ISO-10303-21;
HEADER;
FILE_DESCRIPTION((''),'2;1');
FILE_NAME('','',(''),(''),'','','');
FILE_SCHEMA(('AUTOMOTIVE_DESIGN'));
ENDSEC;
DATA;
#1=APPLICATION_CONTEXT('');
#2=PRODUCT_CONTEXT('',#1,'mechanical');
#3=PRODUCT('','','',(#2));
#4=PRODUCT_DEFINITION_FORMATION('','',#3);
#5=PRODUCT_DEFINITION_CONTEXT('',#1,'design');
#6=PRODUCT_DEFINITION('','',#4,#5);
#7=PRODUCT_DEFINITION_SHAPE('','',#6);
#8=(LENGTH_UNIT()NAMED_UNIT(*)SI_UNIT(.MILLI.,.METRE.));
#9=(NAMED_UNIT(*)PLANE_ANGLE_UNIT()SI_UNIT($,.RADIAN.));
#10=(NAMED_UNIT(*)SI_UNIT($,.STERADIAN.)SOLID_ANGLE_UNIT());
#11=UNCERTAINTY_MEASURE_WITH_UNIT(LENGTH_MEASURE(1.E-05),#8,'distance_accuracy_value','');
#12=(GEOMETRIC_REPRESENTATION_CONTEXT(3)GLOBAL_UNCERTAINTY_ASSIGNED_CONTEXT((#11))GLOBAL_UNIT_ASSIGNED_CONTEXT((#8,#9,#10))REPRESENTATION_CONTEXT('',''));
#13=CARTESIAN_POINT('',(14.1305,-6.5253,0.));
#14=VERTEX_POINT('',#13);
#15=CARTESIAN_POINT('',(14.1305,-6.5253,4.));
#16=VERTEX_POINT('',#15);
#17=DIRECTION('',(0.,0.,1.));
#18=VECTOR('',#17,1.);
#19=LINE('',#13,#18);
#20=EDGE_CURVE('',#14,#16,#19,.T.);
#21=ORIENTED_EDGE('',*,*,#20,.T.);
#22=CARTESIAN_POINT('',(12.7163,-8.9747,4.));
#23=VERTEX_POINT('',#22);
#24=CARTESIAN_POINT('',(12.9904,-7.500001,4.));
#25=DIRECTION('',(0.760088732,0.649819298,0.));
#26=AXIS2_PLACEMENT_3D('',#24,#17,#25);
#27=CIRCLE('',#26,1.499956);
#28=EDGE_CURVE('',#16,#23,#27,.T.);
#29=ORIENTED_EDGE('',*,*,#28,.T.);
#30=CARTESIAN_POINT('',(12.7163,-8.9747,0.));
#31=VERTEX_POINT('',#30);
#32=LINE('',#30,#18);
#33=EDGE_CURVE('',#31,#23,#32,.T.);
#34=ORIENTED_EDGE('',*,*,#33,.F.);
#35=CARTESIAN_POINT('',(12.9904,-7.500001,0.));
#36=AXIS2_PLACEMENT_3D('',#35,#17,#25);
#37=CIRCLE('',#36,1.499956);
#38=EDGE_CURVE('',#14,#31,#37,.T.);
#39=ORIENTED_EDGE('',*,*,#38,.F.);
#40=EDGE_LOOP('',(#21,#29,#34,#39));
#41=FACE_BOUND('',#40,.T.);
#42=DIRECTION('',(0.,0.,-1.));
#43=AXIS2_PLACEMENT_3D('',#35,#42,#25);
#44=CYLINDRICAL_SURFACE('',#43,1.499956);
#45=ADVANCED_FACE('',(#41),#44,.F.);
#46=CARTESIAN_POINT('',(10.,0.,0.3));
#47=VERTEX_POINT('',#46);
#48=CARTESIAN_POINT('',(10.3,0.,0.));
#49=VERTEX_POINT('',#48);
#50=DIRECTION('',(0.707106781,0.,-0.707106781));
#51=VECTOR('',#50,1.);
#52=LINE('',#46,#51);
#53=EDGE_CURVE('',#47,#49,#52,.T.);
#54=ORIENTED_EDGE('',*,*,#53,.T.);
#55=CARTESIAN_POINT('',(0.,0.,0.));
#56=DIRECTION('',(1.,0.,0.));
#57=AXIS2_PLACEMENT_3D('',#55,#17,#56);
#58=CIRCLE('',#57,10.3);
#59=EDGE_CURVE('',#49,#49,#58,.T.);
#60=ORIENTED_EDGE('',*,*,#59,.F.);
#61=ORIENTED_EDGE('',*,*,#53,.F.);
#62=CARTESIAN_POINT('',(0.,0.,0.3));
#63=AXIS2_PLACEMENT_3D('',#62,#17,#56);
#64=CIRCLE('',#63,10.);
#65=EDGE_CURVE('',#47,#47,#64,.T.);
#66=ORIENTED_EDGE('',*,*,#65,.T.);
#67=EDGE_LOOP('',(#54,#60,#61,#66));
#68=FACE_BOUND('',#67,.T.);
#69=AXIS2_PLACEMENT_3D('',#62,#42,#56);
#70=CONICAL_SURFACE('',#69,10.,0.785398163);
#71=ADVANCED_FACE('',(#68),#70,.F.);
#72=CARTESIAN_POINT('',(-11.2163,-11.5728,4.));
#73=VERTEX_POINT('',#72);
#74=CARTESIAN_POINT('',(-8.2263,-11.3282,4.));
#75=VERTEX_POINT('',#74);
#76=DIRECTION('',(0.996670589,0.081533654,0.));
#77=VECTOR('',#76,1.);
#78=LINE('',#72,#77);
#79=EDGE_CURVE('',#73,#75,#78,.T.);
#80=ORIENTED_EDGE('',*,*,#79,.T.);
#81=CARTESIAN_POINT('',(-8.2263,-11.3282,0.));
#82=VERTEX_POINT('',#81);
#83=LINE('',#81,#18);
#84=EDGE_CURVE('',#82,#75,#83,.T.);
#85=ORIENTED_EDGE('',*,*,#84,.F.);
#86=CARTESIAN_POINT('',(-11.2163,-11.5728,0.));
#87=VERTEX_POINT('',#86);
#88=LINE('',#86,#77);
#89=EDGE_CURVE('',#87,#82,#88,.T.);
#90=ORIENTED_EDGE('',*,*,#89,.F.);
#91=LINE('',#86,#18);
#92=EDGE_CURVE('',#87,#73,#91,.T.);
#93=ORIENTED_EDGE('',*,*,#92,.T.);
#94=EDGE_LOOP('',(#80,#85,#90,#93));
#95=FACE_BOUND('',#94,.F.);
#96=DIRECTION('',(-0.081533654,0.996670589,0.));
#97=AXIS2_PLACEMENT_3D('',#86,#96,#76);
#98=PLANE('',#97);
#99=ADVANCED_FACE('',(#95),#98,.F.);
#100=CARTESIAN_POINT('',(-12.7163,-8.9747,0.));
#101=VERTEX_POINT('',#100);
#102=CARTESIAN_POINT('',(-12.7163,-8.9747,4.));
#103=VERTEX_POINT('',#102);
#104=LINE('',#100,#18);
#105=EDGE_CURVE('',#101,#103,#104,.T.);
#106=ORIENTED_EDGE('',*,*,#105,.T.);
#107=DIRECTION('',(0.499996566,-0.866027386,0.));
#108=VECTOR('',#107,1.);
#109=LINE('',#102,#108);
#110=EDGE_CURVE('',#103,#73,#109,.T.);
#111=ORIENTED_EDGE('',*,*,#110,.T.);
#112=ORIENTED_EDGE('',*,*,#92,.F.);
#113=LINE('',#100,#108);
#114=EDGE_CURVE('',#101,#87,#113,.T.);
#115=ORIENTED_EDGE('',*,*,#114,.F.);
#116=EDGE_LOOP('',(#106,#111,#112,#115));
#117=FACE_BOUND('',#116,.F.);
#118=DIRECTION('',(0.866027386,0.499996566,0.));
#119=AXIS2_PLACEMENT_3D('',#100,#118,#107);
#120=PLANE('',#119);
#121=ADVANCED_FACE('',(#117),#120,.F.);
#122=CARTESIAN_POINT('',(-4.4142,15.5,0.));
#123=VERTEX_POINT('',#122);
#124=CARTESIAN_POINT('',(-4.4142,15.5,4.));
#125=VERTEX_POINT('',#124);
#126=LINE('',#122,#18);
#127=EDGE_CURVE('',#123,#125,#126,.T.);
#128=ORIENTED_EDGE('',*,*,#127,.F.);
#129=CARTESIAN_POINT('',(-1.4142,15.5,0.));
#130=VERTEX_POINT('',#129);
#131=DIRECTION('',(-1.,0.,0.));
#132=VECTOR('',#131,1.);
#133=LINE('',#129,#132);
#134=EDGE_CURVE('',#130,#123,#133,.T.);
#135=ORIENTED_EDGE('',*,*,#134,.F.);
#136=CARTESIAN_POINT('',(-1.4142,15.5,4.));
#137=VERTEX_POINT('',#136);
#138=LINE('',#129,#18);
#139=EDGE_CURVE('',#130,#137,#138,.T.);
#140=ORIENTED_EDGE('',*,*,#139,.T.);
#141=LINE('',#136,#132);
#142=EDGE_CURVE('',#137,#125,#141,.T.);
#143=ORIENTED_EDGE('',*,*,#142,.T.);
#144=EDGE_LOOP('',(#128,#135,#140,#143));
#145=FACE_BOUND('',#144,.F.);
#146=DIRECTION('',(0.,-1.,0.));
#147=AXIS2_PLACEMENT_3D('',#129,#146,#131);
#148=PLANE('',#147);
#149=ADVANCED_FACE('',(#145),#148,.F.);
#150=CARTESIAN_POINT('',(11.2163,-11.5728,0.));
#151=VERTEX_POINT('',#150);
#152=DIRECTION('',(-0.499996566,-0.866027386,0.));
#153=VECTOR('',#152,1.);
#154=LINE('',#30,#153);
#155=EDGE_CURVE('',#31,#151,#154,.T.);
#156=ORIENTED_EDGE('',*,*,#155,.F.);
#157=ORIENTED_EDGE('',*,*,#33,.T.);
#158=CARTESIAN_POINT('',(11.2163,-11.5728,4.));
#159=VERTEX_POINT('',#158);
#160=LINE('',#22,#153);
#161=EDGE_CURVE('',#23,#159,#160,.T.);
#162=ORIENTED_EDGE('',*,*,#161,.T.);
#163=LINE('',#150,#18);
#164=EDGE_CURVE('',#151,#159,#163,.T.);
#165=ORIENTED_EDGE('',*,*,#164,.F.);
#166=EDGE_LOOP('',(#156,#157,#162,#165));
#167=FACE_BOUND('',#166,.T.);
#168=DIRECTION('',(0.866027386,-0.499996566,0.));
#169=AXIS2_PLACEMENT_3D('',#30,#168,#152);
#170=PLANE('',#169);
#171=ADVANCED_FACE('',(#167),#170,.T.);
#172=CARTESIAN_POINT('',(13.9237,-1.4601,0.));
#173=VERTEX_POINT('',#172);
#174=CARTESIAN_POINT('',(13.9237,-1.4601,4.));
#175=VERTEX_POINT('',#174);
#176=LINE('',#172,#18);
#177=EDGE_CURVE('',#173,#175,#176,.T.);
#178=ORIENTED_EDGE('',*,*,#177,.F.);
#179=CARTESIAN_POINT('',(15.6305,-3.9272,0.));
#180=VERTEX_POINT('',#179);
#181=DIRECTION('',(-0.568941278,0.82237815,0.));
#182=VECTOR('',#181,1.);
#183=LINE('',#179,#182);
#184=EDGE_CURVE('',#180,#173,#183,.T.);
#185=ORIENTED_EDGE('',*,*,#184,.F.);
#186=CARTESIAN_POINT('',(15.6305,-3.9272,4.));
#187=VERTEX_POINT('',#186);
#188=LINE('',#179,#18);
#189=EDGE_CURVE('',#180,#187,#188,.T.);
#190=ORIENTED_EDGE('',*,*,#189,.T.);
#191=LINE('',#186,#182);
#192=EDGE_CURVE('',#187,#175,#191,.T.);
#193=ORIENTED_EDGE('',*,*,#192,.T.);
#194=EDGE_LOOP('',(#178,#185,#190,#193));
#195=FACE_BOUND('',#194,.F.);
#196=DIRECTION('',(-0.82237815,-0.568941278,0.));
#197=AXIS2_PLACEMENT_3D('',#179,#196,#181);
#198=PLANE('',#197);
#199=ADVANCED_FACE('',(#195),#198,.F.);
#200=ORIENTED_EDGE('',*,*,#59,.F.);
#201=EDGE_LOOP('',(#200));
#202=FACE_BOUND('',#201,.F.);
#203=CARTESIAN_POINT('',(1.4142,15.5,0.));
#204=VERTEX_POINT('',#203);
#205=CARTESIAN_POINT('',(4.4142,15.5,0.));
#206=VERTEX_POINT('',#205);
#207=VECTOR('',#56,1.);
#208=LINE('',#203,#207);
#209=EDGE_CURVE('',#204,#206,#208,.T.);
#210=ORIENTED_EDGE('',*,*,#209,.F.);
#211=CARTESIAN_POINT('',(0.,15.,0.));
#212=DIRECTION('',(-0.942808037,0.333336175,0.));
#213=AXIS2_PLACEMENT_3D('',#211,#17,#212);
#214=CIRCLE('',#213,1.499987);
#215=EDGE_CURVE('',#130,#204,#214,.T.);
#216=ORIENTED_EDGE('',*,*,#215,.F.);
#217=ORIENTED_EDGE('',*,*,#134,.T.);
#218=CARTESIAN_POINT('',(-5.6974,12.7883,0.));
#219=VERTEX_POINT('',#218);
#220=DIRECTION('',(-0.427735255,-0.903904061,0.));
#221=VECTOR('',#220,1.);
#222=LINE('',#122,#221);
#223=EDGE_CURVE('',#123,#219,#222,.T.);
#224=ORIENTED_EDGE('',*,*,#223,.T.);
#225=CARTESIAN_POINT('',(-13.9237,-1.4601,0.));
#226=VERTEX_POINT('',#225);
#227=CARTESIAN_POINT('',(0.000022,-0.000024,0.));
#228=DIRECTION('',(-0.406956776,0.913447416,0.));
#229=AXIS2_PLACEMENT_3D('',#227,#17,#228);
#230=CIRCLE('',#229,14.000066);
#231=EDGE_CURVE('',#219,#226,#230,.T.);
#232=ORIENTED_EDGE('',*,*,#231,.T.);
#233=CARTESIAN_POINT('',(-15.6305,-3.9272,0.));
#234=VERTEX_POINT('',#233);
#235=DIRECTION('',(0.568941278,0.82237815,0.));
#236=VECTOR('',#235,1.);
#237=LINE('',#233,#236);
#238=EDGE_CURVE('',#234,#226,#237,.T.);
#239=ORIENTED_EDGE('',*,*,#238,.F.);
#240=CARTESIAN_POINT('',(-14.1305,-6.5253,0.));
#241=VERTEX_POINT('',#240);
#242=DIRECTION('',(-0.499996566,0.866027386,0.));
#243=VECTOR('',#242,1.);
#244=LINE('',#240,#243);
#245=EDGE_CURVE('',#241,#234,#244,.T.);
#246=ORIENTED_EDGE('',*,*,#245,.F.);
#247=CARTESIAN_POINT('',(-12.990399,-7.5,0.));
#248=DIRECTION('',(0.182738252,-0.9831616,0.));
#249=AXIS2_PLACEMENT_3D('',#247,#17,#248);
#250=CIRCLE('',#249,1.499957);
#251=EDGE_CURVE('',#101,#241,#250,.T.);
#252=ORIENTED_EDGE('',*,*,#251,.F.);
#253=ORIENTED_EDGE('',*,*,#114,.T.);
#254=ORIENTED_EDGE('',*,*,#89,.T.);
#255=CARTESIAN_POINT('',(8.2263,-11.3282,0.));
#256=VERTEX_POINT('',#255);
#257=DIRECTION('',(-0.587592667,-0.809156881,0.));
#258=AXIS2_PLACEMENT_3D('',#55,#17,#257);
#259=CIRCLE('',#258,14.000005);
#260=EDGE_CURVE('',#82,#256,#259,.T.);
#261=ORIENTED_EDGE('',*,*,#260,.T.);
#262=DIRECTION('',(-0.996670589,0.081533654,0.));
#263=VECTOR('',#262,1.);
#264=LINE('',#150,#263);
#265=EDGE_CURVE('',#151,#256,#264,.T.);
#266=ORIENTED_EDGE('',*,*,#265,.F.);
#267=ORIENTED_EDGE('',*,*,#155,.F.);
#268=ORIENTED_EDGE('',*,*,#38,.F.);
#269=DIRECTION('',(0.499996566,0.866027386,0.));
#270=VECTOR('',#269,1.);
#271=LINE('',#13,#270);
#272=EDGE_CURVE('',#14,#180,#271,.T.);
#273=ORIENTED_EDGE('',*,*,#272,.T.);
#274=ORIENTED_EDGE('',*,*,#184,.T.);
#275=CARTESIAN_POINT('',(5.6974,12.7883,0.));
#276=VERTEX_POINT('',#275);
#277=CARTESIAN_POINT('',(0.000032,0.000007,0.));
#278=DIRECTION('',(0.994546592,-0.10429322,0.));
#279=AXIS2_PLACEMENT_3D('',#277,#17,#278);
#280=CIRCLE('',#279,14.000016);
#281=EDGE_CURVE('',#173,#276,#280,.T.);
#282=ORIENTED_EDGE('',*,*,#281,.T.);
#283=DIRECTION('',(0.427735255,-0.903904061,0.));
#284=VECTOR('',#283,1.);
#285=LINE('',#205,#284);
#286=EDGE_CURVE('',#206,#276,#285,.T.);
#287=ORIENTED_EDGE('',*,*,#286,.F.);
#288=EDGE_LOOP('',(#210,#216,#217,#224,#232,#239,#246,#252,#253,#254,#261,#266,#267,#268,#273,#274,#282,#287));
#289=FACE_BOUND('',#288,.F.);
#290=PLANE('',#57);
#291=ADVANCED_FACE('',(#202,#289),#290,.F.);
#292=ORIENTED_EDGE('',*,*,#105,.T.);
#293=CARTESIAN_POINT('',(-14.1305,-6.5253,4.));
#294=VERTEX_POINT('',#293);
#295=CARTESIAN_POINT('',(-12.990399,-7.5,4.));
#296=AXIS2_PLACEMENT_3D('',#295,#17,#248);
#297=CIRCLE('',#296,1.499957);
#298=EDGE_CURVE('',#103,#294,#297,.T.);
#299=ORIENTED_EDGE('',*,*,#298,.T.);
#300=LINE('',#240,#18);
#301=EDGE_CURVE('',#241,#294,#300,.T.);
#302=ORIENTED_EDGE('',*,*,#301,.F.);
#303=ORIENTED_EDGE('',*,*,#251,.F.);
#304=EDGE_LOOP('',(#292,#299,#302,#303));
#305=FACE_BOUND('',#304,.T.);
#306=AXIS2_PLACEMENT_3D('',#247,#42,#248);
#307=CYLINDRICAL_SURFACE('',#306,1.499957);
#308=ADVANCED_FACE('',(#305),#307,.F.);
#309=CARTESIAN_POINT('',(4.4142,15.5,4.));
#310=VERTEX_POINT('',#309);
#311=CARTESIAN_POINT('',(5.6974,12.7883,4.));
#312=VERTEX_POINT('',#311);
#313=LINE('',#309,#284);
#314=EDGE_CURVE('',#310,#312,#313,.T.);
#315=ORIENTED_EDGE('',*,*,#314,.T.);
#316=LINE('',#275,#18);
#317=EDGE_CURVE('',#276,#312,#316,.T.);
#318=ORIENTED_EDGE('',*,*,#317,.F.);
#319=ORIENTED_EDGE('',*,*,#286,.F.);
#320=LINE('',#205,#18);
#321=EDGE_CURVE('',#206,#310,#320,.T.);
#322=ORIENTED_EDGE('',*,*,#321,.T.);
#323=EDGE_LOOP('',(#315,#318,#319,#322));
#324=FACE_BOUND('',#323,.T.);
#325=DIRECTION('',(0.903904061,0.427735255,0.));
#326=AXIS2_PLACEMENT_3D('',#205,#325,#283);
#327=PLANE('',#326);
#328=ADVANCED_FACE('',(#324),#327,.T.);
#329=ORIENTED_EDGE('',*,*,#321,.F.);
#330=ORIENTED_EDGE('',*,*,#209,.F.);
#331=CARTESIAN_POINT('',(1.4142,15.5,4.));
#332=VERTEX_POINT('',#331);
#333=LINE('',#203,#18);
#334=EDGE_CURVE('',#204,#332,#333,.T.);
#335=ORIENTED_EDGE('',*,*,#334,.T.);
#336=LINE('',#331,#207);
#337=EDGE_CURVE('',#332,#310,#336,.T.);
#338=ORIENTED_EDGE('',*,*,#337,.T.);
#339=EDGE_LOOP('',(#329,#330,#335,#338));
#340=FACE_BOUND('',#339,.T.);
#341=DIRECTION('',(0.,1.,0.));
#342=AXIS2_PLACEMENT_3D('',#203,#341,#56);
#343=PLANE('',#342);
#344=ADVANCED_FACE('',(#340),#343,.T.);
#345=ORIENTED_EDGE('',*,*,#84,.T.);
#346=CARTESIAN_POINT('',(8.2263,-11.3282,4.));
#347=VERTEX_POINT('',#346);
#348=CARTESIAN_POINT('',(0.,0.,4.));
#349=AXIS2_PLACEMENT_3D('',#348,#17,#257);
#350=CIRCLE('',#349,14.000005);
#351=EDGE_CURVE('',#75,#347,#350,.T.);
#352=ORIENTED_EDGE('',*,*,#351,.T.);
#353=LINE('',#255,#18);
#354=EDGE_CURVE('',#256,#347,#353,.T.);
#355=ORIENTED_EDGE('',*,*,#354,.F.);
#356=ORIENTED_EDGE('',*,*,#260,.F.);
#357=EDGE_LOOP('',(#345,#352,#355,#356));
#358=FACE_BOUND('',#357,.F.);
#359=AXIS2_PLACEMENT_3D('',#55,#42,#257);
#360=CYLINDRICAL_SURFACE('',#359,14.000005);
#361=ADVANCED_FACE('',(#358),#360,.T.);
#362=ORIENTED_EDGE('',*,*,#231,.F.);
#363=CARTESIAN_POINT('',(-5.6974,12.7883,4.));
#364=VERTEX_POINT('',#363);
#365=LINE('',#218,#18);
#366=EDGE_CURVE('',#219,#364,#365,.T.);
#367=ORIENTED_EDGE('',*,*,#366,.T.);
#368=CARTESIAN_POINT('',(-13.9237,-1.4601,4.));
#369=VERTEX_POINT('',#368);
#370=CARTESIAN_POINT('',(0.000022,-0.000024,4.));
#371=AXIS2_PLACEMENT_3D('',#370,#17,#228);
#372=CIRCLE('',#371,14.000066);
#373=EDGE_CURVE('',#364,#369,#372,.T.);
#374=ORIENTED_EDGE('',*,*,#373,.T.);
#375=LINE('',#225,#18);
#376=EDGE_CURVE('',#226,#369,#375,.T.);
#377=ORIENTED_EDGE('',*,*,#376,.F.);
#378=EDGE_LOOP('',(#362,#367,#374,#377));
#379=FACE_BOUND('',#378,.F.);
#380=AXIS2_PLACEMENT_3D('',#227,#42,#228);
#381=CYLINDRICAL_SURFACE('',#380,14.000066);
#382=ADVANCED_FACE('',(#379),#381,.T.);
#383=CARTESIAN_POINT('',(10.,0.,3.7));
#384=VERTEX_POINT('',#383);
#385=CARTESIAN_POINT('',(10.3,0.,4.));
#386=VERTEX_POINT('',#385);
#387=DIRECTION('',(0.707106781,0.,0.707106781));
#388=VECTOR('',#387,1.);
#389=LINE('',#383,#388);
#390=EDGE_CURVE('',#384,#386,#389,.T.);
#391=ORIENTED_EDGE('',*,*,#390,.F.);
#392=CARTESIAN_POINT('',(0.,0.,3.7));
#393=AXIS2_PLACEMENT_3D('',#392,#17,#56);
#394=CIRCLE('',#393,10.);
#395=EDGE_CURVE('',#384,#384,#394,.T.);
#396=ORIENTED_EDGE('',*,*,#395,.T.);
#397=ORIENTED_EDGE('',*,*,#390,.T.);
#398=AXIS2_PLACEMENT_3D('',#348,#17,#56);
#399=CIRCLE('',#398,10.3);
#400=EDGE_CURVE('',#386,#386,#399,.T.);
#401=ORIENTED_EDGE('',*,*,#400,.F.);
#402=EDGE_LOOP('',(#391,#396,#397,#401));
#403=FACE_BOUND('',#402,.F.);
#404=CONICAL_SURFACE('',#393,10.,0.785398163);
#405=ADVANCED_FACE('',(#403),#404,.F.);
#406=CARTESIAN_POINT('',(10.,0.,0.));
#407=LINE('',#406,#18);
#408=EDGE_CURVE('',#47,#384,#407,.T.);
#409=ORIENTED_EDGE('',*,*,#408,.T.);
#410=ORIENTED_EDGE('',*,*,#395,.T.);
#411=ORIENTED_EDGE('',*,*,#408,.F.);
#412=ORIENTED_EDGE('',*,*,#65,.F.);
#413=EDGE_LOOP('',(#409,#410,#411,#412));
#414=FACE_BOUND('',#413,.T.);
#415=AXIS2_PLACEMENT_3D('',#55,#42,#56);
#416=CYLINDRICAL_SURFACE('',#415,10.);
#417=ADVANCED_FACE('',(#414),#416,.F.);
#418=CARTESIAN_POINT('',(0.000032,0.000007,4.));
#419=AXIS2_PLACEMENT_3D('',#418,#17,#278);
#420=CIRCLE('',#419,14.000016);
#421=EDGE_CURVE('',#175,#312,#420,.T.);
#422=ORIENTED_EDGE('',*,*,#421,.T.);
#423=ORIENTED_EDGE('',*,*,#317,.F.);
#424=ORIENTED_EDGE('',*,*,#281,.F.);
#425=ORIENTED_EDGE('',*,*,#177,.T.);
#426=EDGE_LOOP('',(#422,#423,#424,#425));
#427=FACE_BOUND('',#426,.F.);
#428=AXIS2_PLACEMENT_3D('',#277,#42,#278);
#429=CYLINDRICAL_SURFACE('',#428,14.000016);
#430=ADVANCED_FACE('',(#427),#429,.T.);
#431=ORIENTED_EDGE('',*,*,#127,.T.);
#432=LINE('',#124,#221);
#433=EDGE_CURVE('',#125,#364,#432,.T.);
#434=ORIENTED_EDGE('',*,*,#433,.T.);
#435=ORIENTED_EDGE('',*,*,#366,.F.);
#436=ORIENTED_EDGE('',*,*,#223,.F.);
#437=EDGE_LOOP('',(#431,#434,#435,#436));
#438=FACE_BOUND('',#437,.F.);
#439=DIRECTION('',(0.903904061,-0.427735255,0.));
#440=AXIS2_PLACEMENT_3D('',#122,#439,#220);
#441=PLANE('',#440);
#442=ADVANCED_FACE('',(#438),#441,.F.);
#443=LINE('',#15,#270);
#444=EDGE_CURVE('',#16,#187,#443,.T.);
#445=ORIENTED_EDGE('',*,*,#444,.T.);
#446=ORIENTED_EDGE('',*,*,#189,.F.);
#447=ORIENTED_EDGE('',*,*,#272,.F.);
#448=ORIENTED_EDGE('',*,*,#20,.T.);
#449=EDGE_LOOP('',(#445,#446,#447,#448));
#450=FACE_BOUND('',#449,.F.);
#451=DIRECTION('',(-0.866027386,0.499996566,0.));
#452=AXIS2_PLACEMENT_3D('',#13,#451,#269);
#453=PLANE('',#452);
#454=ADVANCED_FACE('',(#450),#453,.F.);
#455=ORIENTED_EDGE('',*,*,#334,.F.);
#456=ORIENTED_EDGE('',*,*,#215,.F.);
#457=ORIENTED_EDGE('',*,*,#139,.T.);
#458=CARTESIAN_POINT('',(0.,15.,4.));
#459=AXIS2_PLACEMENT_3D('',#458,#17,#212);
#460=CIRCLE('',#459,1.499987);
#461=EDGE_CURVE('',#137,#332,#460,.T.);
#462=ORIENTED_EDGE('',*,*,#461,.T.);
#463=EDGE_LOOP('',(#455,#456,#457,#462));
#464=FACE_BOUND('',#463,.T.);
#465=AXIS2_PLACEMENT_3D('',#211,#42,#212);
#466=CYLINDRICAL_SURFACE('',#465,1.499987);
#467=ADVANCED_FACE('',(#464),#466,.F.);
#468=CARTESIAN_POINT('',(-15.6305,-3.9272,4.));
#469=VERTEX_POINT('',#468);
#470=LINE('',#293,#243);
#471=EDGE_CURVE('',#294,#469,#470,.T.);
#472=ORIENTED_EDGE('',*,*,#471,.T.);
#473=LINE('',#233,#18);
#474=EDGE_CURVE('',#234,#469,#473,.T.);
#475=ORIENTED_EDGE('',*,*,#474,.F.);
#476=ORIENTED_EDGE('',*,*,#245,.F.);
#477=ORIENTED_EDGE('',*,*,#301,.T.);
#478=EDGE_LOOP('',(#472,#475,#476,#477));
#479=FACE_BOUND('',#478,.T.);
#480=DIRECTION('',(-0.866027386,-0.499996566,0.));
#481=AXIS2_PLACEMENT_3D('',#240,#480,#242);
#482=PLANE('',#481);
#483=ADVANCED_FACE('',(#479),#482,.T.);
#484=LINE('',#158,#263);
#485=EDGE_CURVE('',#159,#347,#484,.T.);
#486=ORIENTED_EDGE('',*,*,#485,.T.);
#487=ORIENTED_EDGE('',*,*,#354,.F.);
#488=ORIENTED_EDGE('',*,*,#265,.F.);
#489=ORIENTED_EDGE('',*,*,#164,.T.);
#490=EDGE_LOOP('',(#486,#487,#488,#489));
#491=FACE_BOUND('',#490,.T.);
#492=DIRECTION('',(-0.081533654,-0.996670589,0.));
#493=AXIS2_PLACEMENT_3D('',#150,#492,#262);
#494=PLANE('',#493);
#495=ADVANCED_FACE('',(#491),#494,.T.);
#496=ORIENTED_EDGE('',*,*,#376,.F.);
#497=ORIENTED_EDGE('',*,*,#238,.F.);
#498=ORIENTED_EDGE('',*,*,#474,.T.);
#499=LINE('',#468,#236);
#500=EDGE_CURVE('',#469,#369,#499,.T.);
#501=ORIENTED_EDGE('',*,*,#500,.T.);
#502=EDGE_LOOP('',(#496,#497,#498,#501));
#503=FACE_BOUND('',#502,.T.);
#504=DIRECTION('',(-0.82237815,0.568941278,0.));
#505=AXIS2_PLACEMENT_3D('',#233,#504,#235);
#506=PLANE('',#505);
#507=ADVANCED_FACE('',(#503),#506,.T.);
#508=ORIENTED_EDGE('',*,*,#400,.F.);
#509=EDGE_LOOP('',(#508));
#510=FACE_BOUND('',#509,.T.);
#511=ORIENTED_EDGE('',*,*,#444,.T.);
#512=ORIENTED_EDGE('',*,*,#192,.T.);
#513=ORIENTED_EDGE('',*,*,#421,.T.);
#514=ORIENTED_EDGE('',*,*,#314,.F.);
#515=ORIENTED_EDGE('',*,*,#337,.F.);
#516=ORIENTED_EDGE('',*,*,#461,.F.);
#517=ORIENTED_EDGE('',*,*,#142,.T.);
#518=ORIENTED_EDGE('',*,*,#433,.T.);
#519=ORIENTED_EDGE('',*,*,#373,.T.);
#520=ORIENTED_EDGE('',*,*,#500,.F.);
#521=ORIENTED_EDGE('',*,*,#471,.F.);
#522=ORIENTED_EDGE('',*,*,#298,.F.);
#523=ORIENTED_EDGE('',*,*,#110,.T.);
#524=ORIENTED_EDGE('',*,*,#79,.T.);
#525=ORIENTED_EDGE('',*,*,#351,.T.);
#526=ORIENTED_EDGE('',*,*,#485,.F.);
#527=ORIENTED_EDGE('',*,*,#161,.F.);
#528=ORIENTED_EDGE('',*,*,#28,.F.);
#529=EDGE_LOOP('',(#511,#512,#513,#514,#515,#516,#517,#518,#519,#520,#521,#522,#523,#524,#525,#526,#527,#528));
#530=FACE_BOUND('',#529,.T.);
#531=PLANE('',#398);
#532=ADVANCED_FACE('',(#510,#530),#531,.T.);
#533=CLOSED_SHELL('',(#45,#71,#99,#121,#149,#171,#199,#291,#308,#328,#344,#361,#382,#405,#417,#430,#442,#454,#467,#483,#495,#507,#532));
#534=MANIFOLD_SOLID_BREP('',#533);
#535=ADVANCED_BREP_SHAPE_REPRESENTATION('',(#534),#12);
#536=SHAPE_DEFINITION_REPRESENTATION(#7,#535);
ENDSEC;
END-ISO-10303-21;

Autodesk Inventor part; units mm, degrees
ref_plane "YZ Plane" through (0, 0, 0) normal (1, 0, 0) x (0, 1, 0)
ref_plane "XZ Plane" through (0, 0, 0) normal (0, 1, 0) x (-1, 0, 0)
ref_plane "XY Plane" through (0, 0, 0) normal (0, 0, 1) x (1, 0, 0)
sketch "Sketch1" plane through (0, 0, 0) normal (0, 0, 1) x (1, 0, 0)
  circle A0 centre (0, 0) radius 10
  arc A1 (-1.4142, 15.5) -> (1.4142, 15.5) centre (0, 15) ccw
  line L0 (1.4142, 15.5) -> (4.4142, 15.5)
  line L1 (-1.4142, 15.5) -> (-4.4142, 15.5)
  line L2 (-4.4142, 15.5) -> (-5.6974, 12.7883)
  line L3 (4.4142, 15.5) -> (5.6974, 12.7883)
  arc A2 (-12.7163, -8.9747) -> (-14.1305, -6.5253) centre (-12.9904, -7.5) ccw
  line L4 (-14.1305, -6.5253) -> (-15.6305, -3.9272)
  line L5 (-12.7163, -8.9747) -> (-11.2163, -11.5728)
  line L6 (-11.2163, -11.5728) -> (-8.2263, -11.3282)
  line L7 (-15.6305, -3.9272) -> (-13.9237, -1.4601)
  arc A3 (14.1305, -6.5253) -> (12.7163, -8.9747) centre (12.9904, -7.5) ccw
  line L8 (12.7163, -8.9747) -> (11.2163, -11.5728)
  line L9 (14.1305, -6.5253) -> (15.6305, -3.9272)
  line L10 (15.6305, -3.9272) -> (13.9237, -1.4601)
  line L11 (11.2163, -11.5728) -> (8.2263, -11.3282)
  arc A4 (-5.6974, 12.7883) -> (-13.9237, -1.4601) centre (0, 0) ccw
  arc A5 (-8.2263, -11.3282) -> (8.2263, -11.3282) centre (0, 0) ccw
  arc A6 (13.9237, -1.4601) -> (5.6974, 12.7883) centre (0, 0) ccw
  dimension "d0" = 20
  dimension "d1" = 3
  dimension "d3" = 15
  dimension "d4" = 3
  dimension "d5" = 0.5
  dimension "d6" = 3
  dimension "d9" = 360
  dimension "d11" = 14
extrude "Extrusion1" add sketch "Sketch1" along normal blind 4
chamfer "Chamfer1" distance 0.3 angle 45 2 edges at (-10, 0, 0) (-10, 0, 4)
properties part number "filament_guide_element" material "ABS Plastic"
